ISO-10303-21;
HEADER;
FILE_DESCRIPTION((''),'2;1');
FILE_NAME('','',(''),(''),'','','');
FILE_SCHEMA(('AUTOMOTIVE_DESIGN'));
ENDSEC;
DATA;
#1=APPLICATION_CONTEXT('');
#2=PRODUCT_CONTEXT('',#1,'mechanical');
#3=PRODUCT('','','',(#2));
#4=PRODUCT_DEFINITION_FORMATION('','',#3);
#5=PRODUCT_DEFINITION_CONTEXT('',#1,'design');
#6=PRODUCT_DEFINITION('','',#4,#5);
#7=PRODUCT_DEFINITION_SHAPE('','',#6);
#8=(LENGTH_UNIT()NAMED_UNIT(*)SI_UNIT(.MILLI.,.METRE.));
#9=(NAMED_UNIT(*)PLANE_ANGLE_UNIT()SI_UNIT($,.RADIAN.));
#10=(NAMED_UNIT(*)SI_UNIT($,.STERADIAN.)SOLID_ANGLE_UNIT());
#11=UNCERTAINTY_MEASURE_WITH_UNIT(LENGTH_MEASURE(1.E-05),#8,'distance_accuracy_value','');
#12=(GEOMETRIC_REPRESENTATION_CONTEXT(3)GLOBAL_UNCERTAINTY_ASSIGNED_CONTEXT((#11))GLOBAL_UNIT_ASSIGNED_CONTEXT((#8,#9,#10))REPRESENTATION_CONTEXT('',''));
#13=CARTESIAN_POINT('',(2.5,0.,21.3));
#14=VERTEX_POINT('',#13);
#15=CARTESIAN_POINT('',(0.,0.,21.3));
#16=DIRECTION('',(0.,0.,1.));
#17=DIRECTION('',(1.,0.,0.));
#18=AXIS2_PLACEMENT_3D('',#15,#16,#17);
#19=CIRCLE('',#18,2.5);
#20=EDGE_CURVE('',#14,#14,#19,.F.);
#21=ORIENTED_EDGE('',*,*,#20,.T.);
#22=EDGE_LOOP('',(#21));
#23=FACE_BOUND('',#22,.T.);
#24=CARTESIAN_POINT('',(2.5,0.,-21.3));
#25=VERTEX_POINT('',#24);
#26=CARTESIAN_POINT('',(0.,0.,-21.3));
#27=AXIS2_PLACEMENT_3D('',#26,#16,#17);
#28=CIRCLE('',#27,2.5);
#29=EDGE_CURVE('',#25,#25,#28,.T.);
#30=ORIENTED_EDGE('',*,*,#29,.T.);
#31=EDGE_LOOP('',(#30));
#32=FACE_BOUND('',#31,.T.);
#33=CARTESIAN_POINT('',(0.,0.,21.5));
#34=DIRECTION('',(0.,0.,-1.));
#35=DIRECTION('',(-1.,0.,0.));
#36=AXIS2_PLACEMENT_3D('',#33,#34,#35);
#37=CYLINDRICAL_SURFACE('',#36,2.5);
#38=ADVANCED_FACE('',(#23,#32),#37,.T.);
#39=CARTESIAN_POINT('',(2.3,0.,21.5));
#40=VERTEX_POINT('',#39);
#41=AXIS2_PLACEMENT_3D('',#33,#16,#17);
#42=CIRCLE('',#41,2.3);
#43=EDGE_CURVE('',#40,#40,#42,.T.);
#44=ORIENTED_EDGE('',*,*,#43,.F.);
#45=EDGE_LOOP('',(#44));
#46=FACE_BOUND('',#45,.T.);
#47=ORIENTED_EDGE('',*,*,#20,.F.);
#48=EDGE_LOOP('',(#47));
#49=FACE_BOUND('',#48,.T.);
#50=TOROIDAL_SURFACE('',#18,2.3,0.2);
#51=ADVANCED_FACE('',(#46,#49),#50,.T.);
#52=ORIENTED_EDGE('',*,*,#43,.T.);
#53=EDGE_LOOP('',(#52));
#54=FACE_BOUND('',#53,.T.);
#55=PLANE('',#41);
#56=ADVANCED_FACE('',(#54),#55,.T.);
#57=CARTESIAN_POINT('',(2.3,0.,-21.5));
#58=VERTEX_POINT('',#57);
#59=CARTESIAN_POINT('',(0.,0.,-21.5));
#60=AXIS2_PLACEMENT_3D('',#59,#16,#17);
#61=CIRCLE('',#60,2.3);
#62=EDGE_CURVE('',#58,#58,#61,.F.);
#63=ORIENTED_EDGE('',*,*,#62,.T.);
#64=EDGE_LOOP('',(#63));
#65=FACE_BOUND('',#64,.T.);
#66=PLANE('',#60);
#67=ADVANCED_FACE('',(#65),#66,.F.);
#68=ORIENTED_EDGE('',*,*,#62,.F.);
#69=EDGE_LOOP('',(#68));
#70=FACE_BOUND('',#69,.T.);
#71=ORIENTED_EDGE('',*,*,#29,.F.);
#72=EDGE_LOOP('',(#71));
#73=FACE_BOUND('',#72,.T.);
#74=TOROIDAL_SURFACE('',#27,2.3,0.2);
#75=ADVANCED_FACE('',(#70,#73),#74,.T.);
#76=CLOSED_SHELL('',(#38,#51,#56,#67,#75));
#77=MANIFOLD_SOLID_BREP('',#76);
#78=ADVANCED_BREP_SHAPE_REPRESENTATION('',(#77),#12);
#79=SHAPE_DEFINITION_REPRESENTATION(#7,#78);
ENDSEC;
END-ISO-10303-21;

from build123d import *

# Parameters (mm, degrees)
ESQUISSE1_R      = 2.5
EXTRUSION1_DEPTH = 21.5
CONG_1_R         = 0.2


with BuildPart() as part:
    # Esquisse1 → Extrusion1 (new, symmetric)
    with BuildSketch(Plane.XY):
        Circle(ESQUISSE1_R)
    extrude(amount=EXTRUSION1_DEPTH, both=True)

    # Congé1
    cong_1_edges = [part.edges().sort_by_distance(p)[0] for p in [
        (-2.5, 0, -21.5),
        (-2.5, 0, 21.5),
    ]]
    fillet(cong_1_edges, radius=CONG_1_R)


solid = part.part
